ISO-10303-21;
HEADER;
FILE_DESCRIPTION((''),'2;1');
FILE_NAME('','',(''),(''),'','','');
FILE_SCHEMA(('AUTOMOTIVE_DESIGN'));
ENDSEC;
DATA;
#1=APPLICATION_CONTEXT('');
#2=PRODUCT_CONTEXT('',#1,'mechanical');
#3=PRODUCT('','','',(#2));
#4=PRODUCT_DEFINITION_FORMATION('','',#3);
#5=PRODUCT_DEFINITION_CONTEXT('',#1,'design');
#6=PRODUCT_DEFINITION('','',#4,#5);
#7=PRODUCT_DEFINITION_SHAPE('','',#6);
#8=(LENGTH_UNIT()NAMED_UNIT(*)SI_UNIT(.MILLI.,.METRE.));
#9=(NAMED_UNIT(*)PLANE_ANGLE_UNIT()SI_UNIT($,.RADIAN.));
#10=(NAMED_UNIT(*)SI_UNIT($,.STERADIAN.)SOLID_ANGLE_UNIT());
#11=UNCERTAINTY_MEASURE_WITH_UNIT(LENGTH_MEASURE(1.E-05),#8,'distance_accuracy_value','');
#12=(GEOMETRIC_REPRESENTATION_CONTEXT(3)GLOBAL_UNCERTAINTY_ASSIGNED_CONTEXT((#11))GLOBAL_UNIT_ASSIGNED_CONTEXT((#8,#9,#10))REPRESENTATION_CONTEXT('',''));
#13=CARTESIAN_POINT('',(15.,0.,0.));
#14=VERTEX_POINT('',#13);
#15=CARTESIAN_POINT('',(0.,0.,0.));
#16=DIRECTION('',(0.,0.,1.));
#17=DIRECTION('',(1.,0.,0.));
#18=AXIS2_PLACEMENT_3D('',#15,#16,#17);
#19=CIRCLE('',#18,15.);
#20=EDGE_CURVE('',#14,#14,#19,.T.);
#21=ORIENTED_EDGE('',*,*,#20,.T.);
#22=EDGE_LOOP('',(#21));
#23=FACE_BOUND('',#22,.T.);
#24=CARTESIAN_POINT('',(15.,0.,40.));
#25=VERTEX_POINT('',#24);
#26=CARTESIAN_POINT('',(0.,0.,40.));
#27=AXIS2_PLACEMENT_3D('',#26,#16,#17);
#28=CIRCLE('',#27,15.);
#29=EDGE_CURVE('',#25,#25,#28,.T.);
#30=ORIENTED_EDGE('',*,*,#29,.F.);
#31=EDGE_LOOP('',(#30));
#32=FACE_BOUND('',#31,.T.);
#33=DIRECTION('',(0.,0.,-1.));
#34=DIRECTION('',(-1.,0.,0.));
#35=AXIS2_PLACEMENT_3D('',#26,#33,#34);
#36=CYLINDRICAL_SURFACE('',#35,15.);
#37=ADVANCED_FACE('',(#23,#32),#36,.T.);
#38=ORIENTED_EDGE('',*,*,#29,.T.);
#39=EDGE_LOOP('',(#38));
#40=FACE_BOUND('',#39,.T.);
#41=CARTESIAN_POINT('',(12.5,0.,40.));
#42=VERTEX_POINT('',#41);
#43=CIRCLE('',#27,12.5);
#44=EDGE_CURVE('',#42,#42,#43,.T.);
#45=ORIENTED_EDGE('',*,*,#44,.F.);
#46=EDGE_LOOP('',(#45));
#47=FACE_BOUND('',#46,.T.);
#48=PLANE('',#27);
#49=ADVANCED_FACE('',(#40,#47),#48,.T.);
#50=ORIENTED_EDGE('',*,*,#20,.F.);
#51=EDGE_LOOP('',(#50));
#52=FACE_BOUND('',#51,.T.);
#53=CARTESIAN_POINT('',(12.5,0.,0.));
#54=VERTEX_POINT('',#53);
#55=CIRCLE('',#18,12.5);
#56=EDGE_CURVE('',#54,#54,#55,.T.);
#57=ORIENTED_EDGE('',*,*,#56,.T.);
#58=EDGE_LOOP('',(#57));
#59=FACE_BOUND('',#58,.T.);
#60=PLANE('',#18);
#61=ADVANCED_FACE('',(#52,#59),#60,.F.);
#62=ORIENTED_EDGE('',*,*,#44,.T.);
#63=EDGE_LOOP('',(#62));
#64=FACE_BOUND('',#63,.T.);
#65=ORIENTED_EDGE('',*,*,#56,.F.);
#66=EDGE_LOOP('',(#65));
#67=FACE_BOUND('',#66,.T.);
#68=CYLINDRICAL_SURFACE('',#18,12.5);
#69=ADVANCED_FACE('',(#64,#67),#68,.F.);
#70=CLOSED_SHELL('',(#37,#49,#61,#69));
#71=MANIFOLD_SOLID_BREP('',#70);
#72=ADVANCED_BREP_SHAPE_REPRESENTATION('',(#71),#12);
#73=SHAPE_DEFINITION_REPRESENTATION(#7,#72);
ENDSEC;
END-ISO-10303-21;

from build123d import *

# Parameters (mm, degrees)
SKETCH_1_R          = 15
EXTRUDE_1_DEPTH     = 40
SKETCH_2_R          = 12.5
CUT_EXTRUDE_1_DEPTH = 46.276925691


with BuildPart() as part:
    # Эскиз1 → Бобышка-Вытянуть1 (new body)
    with BuildSketch(Plane.XY):
        Circle(SKETCH_1_R)
    extrude(amount=EXTRUDE_1_DEPTH)

    # Эскиз2 → Вырез-Вытянуть1 (cut, through all)
    with BuildSketch(Plane.XY.offset(40)):
        Circle(SKETCH_2_R)
    extrude(amount=-CUT_EXTRUDE_1_DEPTH, mode=Mode.SUBTRACT)


solid = part.part
